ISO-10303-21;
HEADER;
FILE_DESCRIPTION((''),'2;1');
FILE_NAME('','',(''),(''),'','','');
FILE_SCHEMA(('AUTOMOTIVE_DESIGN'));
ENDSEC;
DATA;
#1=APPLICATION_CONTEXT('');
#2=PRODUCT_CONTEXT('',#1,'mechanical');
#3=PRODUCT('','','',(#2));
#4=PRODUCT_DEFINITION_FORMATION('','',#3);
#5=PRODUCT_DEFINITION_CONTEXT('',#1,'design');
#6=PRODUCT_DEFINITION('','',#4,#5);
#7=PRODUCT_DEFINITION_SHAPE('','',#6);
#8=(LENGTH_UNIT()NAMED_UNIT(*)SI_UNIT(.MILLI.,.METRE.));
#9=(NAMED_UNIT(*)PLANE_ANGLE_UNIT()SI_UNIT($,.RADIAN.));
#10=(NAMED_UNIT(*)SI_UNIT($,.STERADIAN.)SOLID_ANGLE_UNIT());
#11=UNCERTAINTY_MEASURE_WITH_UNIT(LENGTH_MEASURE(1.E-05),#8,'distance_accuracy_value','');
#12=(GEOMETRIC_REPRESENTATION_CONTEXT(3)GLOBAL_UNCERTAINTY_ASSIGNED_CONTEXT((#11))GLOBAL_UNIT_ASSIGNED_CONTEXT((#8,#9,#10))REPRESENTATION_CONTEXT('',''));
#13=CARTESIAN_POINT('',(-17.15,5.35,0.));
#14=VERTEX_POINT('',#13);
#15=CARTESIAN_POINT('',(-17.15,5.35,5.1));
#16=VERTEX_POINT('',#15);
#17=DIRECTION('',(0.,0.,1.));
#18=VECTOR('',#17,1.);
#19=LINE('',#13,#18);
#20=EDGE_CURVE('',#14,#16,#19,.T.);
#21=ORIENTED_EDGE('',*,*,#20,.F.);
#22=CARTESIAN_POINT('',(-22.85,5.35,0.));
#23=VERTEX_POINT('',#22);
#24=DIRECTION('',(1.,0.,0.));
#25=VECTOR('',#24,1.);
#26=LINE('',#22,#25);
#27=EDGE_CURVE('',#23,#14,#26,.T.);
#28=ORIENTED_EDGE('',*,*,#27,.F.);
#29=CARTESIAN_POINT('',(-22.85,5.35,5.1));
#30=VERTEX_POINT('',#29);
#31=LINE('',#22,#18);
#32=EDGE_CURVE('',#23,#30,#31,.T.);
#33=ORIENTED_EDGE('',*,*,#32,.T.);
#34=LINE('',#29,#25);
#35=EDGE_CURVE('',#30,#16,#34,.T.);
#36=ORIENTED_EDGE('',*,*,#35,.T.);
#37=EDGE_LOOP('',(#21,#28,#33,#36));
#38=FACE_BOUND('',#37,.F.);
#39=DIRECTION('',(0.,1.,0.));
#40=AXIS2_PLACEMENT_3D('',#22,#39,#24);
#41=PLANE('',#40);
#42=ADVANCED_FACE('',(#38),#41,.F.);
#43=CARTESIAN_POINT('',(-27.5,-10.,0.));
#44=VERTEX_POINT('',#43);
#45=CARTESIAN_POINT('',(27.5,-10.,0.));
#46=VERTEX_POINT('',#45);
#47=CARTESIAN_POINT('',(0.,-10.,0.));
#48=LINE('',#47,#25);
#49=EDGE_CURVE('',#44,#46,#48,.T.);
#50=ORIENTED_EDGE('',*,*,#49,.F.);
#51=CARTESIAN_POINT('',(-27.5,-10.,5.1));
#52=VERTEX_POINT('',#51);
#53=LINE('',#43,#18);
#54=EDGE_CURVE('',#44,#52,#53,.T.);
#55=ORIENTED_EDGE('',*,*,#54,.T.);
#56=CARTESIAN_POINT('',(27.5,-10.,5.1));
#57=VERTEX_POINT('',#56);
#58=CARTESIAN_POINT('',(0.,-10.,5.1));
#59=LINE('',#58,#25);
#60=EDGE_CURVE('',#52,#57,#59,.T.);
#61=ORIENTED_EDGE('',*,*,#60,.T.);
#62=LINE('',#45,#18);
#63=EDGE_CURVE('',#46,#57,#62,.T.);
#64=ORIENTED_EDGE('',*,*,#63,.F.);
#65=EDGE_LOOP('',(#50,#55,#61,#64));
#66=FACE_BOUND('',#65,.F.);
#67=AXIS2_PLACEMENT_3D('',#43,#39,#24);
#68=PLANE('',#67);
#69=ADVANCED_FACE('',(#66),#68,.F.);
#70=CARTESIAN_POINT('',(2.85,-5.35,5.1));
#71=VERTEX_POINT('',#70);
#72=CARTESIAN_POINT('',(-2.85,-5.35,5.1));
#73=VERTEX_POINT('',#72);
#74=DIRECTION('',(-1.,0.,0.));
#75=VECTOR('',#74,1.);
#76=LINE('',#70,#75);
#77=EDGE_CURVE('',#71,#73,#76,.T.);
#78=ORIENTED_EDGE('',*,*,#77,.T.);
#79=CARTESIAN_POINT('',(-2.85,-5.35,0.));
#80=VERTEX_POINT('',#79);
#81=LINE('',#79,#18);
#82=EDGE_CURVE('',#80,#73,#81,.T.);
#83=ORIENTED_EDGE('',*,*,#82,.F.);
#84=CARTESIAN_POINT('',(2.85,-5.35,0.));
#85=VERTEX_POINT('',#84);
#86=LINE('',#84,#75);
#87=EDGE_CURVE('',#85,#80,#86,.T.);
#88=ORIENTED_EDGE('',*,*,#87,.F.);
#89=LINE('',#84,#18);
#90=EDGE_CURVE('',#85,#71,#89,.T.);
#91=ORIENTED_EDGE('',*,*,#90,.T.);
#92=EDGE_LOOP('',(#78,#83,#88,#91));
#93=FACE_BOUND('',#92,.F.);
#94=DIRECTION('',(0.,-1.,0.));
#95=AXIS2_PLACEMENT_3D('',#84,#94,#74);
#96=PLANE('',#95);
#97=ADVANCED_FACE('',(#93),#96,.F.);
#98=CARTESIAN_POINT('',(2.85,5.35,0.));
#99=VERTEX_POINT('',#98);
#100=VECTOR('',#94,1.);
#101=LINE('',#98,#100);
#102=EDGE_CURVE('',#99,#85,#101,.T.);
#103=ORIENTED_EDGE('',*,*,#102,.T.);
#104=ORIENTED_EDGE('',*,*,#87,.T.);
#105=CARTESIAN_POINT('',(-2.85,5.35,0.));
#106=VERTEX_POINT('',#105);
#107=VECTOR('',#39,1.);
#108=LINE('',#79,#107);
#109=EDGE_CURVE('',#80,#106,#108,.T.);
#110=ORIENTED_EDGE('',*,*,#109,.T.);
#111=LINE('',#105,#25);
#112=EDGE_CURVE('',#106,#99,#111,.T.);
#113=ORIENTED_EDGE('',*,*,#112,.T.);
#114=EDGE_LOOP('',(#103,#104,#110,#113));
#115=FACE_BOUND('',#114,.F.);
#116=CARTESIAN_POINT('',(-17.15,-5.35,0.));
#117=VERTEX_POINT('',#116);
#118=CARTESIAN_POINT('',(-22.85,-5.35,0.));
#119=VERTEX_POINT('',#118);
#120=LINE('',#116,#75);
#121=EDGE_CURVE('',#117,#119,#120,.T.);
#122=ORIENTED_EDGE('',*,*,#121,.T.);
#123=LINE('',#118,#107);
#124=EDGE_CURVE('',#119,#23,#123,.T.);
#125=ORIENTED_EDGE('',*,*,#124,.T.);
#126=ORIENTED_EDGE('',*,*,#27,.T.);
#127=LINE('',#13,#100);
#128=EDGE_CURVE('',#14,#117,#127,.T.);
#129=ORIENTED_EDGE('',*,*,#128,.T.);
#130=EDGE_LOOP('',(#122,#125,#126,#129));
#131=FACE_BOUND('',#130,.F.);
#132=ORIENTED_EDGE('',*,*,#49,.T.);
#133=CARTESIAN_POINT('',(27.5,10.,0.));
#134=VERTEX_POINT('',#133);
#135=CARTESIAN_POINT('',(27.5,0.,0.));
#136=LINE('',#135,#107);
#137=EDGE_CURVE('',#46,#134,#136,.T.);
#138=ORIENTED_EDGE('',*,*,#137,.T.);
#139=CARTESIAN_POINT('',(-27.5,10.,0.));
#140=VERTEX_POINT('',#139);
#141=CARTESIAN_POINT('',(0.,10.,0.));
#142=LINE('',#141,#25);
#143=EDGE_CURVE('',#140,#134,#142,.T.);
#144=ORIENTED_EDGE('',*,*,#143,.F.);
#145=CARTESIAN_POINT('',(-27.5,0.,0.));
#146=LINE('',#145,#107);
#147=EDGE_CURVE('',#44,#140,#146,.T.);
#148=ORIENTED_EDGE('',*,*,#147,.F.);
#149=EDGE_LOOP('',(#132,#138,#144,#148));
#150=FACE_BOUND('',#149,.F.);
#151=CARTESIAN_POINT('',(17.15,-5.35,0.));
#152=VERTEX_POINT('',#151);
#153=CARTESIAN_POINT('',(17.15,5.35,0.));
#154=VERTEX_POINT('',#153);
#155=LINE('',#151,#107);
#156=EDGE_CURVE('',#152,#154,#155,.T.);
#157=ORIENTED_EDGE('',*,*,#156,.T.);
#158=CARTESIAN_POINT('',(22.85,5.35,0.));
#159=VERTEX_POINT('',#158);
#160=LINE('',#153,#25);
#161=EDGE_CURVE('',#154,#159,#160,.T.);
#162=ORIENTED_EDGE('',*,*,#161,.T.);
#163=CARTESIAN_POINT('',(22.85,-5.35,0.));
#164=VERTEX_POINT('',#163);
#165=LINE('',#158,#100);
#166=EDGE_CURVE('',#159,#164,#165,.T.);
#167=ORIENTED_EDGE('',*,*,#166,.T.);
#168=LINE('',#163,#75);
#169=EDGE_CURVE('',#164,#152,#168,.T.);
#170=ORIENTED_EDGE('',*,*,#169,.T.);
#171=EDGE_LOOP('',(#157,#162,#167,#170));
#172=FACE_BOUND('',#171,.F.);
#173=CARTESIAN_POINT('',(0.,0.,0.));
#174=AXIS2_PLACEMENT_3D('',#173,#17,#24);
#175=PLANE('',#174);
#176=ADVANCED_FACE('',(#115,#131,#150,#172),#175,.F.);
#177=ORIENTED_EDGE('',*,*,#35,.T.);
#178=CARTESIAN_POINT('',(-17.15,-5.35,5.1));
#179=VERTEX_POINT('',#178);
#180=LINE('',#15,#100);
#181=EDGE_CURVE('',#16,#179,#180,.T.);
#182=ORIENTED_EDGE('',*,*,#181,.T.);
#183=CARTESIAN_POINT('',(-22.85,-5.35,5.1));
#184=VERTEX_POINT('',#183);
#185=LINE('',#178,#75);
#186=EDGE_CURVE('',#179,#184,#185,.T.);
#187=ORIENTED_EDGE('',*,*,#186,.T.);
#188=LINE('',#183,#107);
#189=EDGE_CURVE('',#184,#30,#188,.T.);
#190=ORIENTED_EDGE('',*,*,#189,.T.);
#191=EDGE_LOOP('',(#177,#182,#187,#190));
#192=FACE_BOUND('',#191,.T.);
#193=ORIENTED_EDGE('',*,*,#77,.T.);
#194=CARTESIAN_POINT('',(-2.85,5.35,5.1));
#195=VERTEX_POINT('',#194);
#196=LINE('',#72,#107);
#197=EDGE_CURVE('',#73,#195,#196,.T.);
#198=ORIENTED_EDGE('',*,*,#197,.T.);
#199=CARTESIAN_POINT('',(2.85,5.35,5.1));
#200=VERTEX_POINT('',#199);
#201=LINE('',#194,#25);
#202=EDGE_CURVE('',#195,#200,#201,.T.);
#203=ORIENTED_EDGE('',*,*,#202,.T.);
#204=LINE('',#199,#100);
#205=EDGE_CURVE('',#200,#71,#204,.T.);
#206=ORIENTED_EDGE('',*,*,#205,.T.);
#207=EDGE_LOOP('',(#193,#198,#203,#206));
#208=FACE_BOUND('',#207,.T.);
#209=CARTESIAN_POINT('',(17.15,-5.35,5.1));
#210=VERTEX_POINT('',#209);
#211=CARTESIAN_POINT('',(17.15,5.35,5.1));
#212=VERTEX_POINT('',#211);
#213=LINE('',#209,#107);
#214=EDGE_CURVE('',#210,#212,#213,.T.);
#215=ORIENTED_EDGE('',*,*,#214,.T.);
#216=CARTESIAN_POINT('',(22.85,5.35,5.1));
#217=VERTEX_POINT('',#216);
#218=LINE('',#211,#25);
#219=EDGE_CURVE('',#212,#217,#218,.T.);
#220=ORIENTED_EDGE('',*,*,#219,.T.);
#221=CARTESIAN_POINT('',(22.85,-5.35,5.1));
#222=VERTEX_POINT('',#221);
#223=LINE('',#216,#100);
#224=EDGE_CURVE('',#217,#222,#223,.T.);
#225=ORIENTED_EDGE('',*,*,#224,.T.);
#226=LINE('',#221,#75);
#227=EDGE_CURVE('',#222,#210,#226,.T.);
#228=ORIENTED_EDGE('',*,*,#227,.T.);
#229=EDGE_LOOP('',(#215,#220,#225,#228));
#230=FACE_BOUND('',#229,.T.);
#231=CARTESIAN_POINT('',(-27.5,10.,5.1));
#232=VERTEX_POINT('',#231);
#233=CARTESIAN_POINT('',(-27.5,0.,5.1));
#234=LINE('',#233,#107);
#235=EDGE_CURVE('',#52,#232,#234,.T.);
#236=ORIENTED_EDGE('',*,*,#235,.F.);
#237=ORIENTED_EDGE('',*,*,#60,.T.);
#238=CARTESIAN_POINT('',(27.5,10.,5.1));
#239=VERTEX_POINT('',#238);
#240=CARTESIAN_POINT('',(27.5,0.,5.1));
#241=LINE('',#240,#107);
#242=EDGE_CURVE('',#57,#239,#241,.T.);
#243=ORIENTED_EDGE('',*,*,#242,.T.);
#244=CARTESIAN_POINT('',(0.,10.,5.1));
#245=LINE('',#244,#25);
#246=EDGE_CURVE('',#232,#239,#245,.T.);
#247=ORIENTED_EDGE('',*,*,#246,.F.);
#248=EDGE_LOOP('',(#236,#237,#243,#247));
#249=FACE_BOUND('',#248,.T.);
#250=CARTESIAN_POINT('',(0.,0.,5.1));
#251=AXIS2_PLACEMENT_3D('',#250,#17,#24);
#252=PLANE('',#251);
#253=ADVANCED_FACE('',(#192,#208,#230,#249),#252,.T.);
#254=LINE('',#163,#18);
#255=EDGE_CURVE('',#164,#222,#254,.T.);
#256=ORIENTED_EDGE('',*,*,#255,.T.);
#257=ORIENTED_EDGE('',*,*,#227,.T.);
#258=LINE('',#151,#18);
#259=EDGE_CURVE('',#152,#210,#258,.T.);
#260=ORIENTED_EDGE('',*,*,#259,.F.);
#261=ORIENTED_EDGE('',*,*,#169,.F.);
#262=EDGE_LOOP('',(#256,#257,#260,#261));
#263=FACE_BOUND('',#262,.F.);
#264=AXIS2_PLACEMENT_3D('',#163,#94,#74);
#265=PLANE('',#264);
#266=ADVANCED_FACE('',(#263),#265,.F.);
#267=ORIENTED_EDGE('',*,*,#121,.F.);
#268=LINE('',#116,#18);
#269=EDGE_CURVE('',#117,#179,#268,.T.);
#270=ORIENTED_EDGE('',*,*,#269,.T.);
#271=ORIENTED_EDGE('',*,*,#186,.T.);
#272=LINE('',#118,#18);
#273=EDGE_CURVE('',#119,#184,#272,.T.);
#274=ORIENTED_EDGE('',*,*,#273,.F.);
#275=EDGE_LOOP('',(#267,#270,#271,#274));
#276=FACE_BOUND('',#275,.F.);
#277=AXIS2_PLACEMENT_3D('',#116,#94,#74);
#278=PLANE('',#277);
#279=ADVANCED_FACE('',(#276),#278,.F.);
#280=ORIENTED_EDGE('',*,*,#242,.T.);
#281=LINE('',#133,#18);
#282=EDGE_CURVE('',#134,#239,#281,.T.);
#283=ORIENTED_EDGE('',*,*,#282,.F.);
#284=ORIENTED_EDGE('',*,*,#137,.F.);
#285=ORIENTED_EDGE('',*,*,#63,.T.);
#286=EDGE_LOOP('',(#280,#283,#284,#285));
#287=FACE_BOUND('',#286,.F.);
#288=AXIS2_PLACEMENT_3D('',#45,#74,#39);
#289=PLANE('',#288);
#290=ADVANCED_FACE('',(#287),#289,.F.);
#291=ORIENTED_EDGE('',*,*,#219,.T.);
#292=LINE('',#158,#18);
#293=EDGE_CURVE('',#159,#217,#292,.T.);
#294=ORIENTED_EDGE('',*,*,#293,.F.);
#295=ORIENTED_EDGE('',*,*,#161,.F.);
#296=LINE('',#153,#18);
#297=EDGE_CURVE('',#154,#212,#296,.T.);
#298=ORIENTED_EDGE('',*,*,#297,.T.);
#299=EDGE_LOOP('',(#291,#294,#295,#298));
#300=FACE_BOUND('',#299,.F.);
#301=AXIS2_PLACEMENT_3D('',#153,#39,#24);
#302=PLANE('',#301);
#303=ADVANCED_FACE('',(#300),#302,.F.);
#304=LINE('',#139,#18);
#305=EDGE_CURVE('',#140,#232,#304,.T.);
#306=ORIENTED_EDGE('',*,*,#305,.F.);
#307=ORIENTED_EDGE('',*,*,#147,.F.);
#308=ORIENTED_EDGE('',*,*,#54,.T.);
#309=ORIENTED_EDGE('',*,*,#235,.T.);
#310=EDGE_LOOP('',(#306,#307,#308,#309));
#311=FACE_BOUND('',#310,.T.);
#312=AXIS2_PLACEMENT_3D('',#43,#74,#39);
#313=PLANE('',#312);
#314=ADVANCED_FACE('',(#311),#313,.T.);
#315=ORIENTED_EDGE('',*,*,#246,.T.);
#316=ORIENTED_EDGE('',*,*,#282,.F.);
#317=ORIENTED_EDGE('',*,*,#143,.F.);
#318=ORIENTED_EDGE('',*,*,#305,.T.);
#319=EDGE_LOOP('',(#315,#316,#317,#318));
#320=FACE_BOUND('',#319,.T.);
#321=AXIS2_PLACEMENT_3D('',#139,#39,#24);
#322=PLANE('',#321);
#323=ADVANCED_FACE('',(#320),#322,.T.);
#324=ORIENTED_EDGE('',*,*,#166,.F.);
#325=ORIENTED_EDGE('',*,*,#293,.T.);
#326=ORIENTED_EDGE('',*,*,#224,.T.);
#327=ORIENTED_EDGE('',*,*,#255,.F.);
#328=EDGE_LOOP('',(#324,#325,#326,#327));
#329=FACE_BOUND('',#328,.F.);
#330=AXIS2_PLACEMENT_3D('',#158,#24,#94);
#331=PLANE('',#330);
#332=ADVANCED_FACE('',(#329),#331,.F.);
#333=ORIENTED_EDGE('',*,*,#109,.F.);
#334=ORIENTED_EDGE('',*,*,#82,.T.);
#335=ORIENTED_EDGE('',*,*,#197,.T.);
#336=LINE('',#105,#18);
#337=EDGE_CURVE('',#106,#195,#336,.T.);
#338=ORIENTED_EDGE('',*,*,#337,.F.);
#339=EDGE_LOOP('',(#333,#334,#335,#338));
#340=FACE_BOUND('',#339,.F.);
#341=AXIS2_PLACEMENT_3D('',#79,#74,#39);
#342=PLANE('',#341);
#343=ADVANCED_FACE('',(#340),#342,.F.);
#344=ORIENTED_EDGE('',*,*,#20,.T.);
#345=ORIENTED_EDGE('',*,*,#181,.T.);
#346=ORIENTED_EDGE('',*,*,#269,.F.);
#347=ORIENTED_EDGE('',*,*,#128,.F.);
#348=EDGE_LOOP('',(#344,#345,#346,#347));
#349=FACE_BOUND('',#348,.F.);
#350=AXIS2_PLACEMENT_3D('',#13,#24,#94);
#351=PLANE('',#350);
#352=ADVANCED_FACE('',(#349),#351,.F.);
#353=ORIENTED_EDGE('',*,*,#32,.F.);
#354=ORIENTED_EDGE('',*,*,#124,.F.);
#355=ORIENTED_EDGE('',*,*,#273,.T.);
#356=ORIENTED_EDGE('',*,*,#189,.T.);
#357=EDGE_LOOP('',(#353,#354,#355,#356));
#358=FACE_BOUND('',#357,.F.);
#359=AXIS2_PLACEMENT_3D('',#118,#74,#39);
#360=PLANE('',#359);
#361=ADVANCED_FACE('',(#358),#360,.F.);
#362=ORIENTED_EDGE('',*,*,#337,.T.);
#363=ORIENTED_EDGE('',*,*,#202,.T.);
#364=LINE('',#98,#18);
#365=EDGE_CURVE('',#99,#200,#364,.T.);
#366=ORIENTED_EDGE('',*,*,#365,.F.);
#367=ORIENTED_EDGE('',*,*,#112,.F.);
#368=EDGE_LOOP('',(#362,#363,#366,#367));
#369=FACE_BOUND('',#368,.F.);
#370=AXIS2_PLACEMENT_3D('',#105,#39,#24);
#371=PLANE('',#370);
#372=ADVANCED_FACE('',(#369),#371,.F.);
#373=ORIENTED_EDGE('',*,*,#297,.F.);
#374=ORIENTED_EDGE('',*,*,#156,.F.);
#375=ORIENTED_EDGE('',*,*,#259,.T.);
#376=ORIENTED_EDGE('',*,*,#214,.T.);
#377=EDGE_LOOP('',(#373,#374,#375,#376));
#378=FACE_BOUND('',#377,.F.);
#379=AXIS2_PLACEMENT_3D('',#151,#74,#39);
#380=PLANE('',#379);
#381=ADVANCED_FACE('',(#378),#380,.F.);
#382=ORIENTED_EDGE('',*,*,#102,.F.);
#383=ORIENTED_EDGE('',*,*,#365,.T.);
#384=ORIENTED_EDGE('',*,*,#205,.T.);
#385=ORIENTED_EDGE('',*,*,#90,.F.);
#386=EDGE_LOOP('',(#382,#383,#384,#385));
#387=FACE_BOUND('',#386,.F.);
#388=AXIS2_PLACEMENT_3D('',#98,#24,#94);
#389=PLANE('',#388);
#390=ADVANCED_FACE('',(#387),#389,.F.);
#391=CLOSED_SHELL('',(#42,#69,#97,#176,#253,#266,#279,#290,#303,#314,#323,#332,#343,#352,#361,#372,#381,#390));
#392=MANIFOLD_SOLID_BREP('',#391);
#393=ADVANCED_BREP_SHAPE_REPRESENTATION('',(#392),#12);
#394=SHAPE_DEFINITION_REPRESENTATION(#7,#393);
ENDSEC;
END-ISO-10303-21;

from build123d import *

# Parameters (mm, degrees)
F0_W     = 55
F0_H     = 20
F0_W_2   = 14.3
F0_H_2   = 10
F1_DEPTH = 5.1


with BuildPart() as f1:
    # F0 (on Top) → F1 (new body)
    with BuildSketch(Plane.XY):
        Rectangle(F0_W, F0_H)
        Polygon((-17.15, 5.35), (-17.15, 5), (-2.85, 5), (-2.85, 5.35), (2.85, 5.35), (2.85, 5), (17.15, 5), (17.15, 5.35), (22.85, 5.35), (22.85, -5.35), (17.15, -5.35), (17.15, -5), (2.85, -5), (2.85, -5.35), (-2.85, -5.35), (-2.85, -5), (-17.15, -5), (-17.15, -5.35), (-22.85, -5.35), (-22.85, 5.35), align=None, mode=Mode.SUBTRACT)
        with Locations((-10, 0)):
            Rectangle(F0_W_2, F0_H_2)
        with Locations((10, 0)):
            Rectangle(F0_W_2, F0_H_2)
    extrude(amount=F1_DEPTH)


solid = f1.part
